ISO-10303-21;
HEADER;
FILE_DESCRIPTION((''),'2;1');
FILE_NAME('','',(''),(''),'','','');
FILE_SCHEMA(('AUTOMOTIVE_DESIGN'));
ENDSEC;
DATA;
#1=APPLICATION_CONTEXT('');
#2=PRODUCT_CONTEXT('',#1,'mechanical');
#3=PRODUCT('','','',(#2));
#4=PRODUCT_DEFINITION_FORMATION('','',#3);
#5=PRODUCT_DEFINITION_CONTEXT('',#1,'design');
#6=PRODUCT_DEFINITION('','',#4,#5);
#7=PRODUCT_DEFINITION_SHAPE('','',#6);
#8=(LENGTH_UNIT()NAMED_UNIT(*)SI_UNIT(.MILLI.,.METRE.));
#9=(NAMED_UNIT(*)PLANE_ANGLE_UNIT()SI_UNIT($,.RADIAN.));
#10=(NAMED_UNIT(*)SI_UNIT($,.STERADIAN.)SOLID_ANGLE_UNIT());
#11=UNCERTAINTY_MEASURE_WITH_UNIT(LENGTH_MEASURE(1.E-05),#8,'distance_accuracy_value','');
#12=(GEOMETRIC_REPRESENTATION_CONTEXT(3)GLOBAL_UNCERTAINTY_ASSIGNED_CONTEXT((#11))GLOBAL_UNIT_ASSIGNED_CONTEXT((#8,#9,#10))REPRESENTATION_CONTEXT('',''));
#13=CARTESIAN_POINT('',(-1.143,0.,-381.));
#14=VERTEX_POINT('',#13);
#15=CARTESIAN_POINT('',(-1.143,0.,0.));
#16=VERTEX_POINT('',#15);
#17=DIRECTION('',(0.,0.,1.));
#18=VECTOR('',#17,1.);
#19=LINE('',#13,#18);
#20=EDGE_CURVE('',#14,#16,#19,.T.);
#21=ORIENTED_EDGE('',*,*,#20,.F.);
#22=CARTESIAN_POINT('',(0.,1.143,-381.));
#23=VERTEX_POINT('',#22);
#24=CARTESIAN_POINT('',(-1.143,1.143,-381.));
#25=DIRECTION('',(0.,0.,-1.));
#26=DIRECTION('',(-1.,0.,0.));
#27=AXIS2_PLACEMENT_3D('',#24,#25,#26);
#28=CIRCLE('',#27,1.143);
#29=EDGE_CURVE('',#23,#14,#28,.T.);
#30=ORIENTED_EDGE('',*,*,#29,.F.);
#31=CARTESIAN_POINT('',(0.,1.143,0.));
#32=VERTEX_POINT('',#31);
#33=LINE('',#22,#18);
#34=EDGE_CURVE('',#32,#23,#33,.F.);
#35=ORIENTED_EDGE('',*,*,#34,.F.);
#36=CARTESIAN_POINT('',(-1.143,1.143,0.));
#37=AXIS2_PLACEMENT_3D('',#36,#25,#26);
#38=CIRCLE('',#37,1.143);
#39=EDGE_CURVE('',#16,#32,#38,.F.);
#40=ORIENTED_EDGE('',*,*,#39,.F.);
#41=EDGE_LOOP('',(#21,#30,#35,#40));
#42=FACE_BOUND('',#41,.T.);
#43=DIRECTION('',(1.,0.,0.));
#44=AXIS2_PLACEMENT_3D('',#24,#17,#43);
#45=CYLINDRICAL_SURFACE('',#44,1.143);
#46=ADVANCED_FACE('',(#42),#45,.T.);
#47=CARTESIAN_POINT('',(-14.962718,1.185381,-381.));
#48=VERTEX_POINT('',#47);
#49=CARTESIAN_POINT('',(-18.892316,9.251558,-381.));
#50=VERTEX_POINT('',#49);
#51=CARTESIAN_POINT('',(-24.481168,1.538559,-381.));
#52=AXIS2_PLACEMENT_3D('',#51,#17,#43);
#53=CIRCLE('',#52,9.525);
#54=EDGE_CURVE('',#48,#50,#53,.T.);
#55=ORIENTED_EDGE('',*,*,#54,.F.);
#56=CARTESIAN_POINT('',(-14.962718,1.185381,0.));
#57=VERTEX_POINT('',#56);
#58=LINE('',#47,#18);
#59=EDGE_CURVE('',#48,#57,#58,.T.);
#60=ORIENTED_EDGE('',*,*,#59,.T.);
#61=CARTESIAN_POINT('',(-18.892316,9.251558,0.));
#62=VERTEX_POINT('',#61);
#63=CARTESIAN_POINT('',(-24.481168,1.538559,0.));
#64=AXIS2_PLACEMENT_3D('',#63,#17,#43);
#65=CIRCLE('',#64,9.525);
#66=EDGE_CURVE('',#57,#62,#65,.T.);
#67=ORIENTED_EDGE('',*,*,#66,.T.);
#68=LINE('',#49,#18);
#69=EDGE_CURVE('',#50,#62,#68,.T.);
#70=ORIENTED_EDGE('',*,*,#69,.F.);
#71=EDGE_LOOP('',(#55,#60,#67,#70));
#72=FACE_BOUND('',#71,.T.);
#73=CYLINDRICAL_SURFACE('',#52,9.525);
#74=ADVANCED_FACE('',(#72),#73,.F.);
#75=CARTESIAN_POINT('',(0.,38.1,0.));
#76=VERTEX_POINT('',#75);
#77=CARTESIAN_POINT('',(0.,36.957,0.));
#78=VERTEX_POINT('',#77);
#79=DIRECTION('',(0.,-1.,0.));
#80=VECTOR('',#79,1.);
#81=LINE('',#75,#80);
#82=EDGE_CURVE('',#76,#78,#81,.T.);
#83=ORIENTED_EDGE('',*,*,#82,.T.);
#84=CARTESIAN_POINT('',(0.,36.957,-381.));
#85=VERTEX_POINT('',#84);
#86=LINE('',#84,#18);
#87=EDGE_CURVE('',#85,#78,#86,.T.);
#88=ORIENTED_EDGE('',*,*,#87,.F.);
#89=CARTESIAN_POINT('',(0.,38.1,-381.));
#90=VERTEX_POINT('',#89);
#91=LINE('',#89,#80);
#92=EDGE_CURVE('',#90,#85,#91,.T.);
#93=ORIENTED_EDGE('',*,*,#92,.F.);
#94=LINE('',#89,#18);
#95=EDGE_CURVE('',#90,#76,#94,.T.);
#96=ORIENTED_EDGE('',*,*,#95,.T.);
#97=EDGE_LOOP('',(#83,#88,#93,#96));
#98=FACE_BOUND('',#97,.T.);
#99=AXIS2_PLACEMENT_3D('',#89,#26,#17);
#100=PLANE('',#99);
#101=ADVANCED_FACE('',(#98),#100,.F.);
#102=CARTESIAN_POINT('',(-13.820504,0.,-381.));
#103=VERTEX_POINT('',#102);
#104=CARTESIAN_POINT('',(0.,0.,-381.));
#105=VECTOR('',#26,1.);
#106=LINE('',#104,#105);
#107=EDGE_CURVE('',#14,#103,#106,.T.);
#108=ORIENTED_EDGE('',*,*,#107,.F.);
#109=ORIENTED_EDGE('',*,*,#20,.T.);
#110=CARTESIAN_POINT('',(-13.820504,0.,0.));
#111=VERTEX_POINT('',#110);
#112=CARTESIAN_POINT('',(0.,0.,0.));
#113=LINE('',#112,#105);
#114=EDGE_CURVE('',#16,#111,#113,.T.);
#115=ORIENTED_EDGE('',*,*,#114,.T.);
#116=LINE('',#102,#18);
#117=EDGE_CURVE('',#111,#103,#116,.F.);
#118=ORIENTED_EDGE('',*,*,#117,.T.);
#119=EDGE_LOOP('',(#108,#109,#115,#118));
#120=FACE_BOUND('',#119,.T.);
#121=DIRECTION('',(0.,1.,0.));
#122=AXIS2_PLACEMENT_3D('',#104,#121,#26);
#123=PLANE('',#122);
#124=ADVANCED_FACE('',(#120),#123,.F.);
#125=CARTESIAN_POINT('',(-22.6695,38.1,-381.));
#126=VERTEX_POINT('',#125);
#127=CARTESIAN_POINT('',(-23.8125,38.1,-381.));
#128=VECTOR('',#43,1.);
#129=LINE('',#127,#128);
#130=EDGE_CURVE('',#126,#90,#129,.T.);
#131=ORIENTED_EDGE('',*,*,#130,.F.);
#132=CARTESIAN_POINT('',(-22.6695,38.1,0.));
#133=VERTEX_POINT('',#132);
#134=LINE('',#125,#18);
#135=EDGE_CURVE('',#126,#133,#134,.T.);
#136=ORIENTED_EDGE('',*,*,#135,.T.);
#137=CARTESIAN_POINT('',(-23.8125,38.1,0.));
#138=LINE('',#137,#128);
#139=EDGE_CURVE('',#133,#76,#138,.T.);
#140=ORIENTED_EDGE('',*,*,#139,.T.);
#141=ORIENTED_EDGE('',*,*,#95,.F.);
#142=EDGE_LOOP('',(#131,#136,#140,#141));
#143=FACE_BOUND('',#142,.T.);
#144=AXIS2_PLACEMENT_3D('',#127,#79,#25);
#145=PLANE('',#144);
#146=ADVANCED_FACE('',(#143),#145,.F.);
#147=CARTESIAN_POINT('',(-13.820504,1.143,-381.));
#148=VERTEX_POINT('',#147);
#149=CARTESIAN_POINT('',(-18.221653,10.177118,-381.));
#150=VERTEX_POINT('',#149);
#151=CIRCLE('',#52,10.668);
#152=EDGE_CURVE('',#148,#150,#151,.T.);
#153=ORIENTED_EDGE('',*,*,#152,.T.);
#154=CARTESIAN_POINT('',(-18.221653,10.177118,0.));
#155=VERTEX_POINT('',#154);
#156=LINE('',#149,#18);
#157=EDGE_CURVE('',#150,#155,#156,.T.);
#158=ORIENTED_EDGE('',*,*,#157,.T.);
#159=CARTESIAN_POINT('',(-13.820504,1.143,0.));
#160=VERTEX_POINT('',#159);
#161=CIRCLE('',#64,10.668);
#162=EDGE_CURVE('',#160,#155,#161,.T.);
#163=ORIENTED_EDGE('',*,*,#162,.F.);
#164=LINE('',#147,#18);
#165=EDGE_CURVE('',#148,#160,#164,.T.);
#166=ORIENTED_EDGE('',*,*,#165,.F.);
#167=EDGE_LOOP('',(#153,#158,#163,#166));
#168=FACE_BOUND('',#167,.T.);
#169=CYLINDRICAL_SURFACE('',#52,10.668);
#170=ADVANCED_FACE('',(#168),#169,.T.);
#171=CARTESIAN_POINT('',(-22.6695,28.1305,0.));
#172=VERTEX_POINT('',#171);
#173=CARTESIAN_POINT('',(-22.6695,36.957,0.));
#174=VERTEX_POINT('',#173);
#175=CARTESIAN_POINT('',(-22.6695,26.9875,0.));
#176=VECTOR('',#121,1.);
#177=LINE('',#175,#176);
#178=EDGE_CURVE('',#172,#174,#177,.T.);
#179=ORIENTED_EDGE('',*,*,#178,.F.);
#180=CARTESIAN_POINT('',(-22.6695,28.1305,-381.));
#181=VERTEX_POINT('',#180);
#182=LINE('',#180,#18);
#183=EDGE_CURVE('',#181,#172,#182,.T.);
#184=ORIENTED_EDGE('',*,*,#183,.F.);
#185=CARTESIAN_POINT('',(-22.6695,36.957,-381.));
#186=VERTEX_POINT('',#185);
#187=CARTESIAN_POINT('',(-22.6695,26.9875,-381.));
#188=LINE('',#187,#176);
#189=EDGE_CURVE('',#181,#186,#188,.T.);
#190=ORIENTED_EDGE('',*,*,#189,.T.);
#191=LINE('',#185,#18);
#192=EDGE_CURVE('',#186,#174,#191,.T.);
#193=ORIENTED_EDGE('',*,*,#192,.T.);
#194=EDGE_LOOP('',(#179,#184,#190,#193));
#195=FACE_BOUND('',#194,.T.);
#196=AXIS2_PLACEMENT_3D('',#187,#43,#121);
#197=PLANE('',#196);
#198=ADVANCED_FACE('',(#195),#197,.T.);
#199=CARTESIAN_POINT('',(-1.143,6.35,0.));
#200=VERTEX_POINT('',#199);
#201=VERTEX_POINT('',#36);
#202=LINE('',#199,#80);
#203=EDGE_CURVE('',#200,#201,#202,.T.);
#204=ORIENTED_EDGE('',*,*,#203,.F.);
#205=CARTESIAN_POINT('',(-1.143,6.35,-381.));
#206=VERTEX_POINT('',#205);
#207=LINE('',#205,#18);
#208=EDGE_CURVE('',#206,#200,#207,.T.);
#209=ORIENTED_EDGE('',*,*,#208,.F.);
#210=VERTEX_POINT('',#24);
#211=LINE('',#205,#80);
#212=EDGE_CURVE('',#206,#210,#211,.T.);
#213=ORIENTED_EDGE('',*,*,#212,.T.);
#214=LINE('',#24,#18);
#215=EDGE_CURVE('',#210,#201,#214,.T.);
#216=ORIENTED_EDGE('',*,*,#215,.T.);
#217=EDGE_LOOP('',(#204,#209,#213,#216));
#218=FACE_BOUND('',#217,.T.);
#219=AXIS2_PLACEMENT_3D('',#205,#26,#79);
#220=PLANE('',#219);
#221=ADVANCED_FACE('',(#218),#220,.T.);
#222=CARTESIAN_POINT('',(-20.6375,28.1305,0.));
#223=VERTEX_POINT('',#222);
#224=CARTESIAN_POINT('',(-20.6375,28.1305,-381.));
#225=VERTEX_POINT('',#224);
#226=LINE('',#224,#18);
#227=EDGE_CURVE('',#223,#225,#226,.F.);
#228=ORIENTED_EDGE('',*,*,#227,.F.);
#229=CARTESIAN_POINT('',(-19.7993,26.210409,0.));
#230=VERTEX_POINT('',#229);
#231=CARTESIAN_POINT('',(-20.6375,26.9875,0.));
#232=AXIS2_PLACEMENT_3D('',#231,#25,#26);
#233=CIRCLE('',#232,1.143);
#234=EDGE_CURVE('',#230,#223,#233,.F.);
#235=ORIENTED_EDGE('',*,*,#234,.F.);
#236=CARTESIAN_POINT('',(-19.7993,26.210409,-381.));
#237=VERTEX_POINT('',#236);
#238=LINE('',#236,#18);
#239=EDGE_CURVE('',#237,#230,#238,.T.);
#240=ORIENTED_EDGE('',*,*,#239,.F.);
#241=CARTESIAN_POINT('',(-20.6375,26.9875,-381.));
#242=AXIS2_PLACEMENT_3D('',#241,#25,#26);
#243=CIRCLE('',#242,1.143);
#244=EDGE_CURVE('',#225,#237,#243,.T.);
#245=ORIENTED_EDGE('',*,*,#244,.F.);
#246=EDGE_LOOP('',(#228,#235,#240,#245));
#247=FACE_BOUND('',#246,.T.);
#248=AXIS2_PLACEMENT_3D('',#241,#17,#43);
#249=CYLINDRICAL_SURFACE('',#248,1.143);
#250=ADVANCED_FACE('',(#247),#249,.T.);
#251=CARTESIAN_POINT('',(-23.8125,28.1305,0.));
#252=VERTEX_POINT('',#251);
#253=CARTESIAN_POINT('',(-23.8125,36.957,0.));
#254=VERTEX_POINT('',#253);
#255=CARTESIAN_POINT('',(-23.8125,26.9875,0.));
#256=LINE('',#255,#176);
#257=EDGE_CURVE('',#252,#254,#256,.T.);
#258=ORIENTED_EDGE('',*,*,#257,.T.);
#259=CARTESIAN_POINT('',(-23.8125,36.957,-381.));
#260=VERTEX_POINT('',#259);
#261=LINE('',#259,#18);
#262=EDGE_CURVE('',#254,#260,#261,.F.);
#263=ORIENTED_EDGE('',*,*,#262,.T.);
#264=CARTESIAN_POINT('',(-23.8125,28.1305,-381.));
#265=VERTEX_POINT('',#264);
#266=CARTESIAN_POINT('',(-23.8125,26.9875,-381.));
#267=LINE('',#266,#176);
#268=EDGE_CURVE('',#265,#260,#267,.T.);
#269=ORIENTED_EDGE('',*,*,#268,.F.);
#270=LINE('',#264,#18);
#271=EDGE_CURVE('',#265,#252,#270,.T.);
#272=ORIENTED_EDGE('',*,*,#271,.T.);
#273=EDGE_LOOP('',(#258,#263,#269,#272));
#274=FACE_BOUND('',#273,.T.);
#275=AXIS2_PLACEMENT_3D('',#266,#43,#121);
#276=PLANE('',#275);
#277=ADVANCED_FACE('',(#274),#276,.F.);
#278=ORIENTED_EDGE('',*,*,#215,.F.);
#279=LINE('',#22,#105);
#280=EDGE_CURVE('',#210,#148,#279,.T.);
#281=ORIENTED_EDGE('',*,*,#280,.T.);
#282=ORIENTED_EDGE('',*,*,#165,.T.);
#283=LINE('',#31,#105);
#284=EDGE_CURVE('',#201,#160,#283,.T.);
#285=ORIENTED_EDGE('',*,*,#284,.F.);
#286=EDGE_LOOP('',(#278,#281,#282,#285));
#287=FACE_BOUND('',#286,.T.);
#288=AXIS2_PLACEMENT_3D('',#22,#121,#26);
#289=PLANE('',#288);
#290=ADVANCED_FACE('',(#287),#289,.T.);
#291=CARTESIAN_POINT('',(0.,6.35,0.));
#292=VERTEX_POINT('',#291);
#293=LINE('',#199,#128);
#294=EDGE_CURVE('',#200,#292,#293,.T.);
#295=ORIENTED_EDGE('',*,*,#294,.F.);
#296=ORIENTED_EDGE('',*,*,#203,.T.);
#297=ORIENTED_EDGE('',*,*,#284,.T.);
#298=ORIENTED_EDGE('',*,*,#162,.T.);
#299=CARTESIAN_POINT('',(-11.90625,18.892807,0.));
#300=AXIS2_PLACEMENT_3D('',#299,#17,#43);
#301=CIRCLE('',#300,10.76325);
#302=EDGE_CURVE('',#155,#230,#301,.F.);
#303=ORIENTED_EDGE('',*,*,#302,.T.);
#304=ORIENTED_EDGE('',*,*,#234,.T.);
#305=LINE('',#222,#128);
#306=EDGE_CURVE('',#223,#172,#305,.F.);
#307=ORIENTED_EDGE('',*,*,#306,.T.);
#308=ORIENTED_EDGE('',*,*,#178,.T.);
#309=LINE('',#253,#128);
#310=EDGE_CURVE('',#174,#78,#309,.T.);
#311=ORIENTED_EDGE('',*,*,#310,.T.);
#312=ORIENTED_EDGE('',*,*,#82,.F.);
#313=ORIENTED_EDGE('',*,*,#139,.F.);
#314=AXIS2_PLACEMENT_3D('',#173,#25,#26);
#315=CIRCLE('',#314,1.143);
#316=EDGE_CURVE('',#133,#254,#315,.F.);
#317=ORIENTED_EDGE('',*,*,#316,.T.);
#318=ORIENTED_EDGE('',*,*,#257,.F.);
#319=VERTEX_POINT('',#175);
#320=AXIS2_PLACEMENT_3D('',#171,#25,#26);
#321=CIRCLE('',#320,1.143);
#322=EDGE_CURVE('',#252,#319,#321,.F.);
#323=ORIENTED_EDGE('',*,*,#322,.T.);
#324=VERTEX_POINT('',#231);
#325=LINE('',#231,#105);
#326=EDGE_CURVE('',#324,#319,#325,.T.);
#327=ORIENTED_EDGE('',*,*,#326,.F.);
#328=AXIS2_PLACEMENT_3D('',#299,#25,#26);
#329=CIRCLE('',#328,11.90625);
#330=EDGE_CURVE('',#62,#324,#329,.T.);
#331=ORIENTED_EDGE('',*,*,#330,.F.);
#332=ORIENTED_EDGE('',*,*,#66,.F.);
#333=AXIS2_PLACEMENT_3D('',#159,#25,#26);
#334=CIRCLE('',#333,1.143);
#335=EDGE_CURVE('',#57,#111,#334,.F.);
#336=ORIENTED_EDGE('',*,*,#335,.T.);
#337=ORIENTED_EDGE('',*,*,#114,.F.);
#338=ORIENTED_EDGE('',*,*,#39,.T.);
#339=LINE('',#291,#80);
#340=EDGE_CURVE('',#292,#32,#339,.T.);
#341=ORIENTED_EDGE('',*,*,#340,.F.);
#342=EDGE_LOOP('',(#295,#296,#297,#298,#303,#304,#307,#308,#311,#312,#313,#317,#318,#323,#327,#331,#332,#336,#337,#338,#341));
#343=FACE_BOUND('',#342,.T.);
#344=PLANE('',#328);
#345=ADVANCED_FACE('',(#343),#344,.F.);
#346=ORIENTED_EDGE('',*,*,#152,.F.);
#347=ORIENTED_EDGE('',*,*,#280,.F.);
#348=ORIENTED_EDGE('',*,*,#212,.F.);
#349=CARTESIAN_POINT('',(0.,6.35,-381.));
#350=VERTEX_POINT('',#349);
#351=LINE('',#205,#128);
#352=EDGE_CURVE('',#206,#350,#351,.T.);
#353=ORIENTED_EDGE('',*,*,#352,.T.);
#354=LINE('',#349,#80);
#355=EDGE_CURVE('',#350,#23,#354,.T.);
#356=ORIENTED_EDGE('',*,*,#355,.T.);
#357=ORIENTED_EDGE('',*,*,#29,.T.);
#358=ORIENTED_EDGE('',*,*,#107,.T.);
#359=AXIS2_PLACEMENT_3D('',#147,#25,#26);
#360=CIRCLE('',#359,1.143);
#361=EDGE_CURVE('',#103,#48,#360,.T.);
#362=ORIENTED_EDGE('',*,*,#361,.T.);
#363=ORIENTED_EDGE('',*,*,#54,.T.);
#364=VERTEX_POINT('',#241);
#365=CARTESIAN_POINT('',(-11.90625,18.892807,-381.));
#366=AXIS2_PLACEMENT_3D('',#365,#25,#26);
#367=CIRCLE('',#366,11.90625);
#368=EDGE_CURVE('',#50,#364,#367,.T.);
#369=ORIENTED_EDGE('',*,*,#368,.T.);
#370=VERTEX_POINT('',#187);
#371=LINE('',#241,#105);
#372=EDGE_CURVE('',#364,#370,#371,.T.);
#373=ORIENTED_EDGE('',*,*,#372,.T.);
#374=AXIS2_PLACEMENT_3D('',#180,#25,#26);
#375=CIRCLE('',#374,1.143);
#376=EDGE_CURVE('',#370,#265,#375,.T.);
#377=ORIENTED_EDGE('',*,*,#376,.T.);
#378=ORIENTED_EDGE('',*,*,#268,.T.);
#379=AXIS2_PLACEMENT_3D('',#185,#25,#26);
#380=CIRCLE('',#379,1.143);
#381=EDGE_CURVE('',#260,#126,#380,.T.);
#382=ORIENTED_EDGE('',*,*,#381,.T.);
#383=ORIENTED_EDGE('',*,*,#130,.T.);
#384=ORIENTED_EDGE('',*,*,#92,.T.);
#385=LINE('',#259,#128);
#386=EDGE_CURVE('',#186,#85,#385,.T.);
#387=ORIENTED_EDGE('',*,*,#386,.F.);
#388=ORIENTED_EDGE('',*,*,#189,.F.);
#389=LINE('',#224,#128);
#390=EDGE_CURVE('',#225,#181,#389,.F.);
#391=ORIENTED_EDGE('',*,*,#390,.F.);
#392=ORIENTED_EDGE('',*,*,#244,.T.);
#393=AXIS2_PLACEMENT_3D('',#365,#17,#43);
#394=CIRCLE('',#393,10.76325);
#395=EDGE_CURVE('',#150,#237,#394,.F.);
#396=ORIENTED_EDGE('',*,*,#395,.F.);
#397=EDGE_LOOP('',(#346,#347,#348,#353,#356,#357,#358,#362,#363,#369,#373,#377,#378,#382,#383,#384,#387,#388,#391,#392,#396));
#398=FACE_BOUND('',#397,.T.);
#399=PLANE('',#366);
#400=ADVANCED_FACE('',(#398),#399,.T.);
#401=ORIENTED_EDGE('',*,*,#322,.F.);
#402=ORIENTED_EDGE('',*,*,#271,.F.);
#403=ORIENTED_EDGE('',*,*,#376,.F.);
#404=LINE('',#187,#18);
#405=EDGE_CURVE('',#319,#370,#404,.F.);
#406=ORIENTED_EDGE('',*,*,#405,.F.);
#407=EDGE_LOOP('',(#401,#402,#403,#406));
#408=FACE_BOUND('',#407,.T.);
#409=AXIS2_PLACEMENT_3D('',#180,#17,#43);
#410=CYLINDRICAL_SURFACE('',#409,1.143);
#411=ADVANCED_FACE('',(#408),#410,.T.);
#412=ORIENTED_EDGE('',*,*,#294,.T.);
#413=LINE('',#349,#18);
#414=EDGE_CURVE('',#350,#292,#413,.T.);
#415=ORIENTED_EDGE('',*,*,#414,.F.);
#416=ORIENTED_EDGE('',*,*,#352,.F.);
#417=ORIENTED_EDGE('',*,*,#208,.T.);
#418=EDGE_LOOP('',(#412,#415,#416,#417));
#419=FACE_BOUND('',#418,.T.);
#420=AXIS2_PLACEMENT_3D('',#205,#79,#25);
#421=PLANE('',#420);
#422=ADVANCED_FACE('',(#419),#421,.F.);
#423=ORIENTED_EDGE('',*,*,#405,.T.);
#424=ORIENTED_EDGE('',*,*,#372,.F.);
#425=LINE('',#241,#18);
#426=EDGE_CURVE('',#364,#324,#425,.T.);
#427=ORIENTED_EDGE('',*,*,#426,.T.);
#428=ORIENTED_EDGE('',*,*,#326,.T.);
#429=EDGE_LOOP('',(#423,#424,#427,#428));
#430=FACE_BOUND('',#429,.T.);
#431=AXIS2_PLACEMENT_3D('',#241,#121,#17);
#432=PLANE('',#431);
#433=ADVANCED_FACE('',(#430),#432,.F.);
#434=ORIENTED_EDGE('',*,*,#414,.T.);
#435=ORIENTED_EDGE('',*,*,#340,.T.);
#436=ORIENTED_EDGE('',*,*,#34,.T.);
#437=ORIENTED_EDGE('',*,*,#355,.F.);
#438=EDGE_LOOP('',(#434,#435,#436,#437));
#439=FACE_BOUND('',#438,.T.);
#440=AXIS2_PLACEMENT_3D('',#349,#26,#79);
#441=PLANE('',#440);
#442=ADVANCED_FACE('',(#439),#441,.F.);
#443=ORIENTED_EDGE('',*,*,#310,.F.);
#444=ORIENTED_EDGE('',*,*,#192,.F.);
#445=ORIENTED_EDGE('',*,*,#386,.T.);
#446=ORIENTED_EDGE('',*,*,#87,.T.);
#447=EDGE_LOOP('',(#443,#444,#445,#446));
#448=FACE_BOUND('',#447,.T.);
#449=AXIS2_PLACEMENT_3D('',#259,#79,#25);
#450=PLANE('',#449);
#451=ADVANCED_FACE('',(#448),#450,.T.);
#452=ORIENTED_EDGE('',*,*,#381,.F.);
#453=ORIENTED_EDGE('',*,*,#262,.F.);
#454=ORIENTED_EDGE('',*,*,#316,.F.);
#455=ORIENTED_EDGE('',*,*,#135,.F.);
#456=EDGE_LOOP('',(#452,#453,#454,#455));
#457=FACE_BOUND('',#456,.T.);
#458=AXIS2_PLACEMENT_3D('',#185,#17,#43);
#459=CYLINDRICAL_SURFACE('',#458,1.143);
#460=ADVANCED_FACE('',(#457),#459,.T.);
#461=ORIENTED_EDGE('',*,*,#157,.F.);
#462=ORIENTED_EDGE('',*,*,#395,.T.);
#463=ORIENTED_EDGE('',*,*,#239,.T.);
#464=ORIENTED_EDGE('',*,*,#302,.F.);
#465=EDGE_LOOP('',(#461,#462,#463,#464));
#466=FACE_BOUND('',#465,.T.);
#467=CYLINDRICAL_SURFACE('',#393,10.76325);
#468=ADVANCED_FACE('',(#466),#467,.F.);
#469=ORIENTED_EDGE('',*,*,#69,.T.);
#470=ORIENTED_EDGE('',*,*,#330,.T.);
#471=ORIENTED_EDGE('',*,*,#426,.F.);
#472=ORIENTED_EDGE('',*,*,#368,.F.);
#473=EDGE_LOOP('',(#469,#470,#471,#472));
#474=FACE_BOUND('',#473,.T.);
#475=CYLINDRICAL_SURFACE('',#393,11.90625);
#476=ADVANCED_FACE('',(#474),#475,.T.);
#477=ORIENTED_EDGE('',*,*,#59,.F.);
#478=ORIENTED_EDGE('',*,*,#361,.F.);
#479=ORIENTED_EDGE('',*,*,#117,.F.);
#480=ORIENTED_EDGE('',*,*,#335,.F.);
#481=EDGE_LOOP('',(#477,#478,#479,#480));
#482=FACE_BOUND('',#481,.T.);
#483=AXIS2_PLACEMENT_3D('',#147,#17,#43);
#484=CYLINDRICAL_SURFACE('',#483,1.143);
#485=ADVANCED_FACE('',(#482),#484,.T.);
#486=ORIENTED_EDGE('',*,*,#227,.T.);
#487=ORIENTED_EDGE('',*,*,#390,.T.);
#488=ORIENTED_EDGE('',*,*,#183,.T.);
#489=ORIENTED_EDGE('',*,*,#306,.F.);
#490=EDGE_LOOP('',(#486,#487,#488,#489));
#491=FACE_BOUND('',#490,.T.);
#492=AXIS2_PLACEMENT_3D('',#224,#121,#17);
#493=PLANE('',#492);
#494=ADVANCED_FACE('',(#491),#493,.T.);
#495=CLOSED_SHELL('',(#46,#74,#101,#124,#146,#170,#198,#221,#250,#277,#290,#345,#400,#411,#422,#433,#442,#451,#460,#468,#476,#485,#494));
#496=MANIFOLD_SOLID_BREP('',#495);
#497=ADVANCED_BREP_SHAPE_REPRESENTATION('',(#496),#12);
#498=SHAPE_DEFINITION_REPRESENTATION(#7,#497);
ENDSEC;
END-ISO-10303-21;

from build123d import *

# Parameters (mm, degrees)
EXTRUDE_THIN1_DEPTH = 381
FILLET1_R           = 1.143


with BuildPart() as part:
    # Sketch1 → Extrude-Thin1 (new body)
    with BuildSketch(Plane.XY):
        with BuildLine():
            Line((0, 6.35), (0, 0))
            Line((0, 0), (-15.08125, 0))
            ThreePointArc((-15.08125, 0), (-15.674145833, 5.166503616), (-18.892315645, 9.251557855))
            ThreePointArc((-18.892315645, 9.251557855), (-23.755275855, 17.726883992), (-20.6375, 26.9875))
            Line((-20.6375, 26.9875), (-23.8125, 26.9875))
            Line((-23.8125, 26.9875), (-23.8125, 38.1))
            Line((-23.8125, 38.1), (0, 38.1))
            Line((0, 38.1), (0, 36.957))
            Line((0, 36.957), (-22.6695, 36.957))
            Line((-22.6695, 36.957), (-22.6695, 28.1305))
            Line((-22.6695, 28.1305), (-17.430068405, 28.1305))
            ThreePointArc((-17.430068405, 28.1305), (-22.6590532, 19.366909782), (-18.221653343, 10.177117727))
            ThreePointArc((-18.221653343, 10.177117727), (-14.890707606, 6.21074153), (-13.820504151, 1.143))
            Line((-13.820504151, 1.143), (-1.143, 1.143))
            Line((-1.143, 1.143), (-1.143, 6.35))
            Line((-1.143, 6.35), (0, 6.35))
        make_face()
    extrude(amount=-EXTRUDE_THIN1_DEPTH)

    # Fillet1
    fillet1_edges = [part.edges().sort_by_distance(p)[0] for p in [
        (-17.430068405, 28.1305, -190.5),
        (0, 0, -190.5),
        (-15.08125, 0, -190.5),
        (-23.8125, 26.9875, -190.5),
        (-23.8125, 38.1, -190.5),
    ]]
    fillet(fillet1_edges, radius=FILLET1_R)


solid = part.part
